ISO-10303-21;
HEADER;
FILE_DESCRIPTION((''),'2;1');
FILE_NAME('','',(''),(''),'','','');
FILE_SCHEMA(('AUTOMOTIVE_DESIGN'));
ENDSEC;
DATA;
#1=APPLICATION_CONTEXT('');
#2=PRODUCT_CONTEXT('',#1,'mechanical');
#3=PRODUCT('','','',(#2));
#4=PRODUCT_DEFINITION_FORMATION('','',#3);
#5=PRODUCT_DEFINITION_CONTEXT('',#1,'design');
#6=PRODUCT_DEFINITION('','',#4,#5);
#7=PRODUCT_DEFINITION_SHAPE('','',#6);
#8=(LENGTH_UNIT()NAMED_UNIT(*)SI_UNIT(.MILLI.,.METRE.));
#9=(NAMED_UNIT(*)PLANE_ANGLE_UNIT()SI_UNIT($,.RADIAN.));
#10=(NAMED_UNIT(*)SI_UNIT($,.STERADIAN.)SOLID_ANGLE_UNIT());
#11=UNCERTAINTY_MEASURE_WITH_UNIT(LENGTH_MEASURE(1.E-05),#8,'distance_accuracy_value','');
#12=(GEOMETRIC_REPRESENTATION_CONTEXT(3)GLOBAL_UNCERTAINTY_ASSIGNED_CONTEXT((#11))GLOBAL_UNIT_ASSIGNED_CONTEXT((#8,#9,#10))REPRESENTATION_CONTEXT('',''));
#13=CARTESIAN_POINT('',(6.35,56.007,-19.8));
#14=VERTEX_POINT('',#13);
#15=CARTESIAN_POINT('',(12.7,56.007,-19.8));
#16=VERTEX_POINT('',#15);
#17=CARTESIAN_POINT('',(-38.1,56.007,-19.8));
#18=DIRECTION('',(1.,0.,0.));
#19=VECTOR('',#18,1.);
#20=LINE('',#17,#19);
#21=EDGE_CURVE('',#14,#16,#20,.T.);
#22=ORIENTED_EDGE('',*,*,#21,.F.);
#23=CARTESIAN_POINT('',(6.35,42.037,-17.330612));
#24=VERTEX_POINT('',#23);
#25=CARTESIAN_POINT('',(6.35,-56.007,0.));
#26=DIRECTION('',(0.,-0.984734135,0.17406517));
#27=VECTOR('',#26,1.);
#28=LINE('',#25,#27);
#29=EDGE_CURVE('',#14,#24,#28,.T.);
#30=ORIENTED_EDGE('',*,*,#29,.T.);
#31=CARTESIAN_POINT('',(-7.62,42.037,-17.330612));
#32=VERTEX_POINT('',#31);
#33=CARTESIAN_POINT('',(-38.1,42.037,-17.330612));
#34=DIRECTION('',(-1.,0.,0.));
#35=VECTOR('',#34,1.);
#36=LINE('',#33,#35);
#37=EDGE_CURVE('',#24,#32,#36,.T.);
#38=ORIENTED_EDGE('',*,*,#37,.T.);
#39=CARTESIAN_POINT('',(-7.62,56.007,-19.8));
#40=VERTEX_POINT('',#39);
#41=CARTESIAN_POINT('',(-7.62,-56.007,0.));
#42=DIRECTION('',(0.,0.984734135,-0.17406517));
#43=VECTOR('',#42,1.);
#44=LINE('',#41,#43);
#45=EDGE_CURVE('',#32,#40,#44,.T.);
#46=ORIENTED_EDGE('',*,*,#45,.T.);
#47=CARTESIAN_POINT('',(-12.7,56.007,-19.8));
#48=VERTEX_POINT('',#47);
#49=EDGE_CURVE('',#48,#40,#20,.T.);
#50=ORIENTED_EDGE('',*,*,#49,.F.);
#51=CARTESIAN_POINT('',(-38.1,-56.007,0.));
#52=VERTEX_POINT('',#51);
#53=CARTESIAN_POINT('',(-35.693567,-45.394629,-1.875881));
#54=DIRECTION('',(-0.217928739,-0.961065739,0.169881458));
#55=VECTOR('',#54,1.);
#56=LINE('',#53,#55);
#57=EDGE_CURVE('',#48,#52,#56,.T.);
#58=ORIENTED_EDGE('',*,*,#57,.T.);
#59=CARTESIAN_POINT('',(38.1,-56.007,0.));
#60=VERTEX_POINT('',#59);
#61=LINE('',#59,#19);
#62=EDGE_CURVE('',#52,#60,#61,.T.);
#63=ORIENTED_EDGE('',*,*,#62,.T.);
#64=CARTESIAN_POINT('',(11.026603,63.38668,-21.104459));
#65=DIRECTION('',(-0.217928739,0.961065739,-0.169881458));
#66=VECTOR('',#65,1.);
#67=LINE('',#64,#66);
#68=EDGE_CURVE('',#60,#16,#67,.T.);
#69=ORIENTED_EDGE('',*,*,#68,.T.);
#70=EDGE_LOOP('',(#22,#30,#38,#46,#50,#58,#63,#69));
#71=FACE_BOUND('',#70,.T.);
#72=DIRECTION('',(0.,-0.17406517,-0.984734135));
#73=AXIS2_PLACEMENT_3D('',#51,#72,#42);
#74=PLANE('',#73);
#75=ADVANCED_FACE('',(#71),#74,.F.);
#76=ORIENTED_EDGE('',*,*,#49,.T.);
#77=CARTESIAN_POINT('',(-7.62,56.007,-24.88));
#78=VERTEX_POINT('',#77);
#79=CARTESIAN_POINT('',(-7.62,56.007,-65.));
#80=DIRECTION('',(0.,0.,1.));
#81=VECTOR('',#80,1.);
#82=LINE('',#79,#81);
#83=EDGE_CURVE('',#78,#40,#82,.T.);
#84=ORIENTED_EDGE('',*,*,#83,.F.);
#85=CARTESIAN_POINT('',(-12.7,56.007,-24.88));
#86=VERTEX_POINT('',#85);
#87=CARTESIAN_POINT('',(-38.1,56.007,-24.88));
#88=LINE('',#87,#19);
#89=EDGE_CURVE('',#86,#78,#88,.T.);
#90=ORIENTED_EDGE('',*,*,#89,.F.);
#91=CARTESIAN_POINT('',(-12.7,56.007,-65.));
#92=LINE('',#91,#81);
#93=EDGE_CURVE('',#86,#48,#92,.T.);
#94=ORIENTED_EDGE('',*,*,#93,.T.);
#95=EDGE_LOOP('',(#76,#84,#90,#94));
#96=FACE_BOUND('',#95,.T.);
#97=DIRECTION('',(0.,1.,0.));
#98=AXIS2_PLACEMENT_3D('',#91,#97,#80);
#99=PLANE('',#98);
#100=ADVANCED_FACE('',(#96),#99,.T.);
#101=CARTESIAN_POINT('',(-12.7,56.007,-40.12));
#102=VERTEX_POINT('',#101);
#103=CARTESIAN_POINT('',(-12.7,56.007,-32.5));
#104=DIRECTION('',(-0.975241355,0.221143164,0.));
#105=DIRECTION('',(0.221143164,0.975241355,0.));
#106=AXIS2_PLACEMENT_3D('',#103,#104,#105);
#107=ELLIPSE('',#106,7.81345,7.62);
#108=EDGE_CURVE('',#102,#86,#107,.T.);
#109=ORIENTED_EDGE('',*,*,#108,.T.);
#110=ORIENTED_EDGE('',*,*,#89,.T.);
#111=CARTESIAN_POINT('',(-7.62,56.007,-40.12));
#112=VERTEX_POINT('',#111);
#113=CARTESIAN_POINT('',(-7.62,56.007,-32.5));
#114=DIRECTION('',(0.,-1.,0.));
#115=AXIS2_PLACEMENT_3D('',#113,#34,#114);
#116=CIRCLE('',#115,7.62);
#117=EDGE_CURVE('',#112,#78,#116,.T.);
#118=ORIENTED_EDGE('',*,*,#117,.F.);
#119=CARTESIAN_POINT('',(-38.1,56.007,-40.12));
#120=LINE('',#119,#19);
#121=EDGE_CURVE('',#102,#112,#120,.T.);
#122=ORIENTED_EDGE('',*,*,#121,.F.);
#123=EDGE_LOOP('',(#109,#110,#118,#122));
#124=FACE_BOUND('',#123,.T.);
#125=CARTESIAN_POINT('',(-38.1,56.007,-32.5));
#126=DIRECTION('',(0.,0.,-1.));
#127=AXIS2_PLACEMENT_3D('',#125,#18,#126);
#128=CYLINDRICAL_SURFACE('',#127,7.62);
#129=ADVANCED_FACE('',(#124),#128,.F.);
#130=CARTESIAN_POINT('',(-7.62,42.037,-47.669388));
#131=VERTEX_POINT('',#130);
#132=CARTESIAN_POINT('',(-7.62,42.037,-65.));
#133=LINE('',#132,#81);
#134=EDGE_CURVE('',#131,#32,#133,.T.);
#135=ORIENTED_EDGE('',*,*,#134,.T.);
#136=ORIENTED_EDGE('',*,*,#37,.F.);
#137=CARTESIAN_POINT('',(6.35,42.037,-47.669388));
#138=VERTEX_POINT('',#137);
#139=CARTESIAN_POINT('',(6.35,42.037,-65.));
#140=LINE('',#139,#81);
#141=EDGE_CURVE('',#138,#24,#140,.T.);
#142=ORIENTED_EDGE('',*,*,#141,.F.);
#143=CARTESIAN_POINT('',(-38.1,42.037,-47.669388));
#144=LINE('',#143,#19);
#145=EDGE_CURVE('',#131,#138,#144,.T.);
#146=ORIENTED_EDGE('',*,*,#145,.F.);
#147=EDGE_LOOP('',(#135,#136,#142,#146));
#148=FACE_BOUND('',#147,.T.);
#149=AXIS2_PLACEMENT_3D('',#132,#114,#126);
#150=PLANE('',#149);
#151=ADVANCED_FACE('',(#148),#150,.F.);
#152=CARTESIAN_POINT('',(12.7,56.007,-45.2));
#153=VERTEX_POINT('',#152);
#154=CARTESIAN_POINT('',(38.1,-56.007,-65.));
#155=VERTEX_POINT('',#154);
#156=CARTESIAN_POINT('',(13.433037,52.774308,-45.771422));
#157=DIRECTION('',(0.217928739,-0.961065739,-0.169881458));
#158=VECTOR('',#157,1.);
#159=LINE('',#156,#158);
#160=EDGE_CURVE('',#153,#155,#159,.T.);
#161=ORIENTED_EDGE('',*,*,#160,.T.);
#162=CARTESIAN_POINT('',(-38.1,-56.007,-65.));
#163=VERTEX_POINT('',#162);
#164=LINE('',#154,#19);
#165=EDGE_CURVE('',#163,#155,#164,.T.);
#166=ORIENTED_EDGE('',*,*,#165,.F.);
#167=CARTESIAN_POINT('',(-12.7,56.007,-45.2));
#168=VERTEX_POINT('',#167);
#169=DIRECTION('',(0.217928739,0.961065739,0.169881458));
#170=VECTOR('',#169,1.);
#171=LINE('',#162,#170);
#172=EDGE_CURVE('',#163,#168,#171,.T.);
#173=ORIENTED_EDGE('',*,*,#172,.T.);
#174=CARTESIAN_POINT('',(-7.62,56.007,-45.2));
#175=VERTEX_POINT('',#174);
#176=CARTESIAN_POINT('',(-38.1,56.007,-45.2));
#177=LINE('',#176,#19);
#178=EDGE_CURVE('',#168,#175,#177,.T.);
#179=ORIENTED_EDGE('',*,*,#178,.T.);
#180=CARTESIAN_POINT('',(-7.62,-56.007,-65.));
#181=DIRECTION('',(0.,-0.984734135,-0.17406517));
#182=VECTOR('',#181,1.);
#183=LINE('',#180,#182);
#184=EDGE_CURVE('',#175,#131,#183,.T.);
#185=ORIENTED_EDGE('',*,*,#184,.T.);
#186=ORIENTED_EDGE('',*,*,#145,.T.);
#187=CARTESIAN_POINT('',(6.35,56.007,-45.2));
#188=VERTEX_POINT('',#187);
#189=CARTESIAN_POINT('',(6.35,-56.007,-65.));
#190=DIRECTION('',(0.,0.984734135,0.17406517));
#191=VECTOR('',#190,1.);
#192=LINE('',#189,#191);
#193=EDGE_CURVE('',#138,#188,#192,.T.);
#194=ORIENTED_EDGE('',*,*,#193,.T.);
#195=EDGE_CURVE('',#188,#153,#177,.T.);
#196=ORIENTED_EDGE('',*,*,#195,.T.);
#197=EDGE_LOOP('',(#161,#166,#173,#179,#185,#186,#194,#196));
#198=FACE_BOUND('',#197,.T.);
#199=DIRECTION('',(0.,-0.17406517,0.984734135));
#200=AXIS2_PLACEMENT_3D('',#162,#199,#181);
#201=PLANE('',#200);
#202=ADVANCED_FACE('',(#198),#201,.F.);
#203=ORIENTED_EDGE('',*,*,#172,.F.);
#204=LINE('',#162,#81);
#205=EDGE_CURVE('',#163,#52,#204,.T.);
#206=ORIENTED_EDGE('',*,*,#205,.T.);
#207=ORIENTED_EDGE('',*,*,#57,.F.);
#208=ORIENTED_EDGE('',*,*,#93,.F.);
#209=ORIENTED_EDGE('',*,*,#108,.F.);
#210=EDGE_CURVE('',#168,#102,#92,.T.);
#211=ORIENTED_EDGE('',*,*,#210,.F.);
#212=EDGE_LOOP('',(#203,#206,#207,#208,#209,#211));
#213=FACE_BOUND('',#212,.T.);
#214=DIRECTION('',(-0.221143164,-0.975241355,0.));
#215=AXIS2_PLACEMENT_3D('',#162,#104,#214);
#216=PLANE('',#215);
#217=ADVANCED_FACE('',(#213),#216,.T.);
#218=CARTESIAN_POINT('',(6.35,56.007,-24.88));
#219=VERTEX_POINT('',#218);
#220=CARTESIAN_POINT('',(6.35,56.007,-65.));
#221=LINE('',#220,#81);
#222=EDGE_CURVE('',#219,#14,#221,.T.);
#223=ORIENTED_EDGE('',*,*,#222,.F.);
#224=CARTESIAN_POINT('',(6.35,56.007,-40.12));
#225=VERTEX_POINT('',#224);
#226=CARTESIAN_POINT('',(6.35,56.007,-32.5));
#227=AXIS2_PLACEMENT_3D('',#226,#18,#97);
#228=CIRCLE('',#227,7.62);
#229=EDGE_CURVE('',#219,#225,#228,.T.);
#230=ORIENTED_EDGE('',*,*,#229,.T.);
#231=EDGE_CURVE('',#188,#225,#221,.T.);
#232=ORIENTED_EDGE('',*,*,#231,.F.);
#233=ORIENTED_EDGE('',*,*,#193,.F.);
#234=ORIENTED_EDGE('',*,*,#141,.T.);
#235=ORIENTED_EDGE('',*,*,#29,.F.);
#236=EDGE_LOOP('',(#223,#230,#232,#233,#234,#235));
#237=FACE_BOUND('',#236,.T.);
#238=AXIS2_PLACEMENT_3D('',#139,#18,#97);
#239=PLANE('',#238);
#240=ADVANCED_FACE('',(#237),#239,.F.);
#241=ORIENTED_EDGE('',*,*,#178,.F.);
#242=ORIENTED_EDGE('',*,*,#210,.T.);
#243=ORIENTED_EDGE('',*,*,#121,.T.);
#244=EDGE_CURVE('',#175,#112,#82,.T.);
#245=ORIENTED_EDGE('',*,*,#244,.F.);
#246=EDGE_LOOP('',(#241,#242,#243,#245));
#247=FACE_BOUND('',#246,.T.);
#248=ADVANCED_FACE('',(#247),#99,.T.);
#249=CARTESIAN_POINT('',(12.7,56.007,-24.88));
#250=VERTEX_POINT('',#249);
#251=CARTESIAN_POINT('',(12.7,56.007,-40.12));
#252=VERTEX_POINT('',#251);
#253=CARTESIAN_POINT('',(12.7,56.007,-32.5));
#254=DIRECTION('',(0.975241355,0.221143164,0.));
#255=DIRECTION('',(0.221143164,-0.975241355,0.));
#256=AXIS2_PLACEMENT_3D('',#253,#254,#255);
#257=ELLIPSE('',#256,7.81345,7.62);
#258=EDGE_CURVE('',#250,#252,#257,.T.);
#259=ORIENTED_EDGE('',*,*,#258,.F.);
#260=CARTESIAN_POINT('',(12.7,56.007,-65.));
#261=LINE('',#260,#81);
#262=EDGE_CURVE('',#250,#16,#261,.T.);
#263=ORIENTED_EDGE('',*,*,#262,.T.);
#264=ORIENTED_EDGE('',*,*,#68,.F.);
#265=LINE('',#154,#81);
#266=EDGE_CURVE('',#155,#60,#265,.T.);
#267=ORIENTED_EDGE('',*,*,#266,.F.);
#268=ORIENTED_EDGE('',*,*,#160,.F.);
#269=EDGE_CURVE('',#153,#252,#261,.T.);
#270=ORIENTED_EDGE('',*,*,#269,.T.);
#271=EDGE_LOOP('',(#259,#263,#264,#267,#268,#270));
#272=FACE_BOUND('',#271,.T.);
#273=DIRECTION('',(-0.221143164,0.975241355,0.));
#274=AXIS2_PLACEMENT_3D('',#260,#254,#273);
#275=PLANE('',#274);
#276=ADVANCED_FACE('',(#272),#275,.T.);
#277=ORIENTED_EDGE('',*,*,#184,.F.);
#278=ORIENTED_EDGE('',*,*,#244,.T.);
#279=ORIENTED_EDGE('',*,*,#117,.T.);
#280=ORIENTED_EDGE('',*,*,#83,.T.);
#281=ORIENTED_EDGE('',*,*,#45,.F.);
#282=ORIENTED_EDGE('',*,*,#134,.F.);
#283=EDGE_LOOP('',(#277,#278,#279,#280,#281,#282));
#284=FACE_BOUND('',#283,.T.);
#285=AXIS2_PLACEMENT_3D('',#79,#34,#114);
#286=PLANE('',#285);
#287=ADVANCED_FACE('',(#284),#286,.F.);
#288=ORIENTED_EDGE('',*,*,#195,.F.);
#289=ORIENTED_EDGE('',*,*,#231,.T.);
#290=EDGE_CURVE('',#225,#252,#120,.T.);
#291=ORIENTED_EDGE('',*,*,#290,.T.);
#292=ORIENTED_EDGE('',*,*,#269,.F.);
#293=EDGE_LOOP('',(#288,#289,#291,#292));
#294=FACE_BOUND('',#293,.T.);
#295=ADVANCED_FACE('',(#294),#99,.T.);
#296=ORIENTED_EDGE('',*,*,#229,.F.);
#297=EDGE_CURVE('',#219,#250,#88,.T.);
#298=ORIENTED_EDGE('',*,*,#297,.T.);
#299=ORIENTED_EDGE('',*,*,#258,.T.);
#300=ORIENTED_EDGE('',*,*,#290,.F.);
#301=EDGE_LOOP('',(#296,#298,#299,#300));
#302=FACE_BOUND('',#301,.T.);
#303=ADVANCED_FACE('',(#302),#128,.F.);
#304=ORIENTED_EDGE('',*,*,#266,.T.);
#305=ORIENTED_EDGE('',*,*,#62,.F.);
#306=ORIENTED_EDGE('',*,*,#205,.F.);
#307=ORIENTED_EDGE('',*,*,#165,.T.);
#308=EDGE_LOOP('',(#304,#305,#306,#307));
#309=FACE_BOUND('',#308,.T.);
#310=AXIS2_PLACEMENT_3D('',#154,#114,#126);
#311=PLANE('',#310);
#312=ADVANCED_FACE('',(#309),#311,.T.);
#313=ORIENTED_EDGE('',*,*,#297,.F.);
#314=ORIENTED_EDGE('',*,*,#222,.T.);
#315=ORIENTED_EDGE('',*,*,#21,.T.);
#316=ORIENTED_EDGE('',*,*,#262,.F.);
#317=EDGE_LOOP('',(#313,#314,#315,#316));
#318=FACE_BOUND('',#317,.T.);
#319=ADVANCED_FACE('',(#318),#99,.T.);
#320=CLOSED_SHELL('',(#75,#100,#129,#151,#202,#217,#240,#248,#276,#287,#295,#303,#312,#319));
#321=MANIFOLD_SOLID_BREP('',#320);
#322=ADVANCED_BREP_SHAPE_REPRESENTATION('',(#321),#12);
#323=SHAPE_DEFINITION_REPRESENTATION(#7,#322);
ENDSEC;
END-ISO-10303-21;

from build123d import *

# Parameters (mm, degrees)
BOSS_EXTRUDE1_DEPTH     = 65.000000048
CUT_EXTRUDE1_DEPTH      = 39.1
CUT_EXTRUDE1_DEPTH_BACK = 39.1
SKETCH4_W               = 13.97
SKETCH4_H               = 13.97
CUT_EXTRUDE2_DEPTH      = 1
CUT_EXTRUDE2_DEPTH_BACK = 66.000000048
CUT_EXTRUDE4_DEPTH      = 39.1
CUT_EXTRUDE4_DEPTH_BACK = 39.1


with BuildPart() as part:
    # Sketch2 → Boss-Extrude1 (new body)
    with BuildSketch(Plane.XY):
        Polygon((-38.1, -56.007), (-12.7, 56.007), (12.7, 56.007), (38.1, -56.007), align=None)
    extrude(amount=-BOSS_EXTRUDE1_DEPTH)

    # Sketch3 → Cut-Extrude1 (cut, two sides)
    with BuildSketch(Plane(origin=(0, 0, 0), x_dir=(0, 0, -1), z_dir=(1, 0, 0))) as cut_extrude1_sk:
        Polygon((0, -56.007), (19.800000024, 56.007), (0, 56.007), align=None)
        Polygon((65.000000048, -56.007), (45.200000024, 56.007), (65.000000048, 56.007), align=None)
    extrude(amount=CUT_EXTRUDE1_DEPTH, mode=Mode.SUBTRACT)
    extrude(cut_extrude1_sk.sketch, amount=-CUT_EXTRUDE1_DEPTH_BACK, mode=Mode.SUBTRACT)

    # Sketch4 → Cut-Extrude2 (cut, two sides)
    with BuildSketch(Plane.XY) as cut_extrude2_sk:
        with Locations((-0.635, 49.022)):
            Rectangle(SKETCH4_W, SKETCH4_H)
    extrude(amount=CUT_EXTRUDE2_DEPTH, mode=Mode.SUBTRACT)
    extrude(cut_extrude2_sk.sketch, amount=-CUT_EXTRUDE2_DEPTH_BACK, mode=Mode.SUBTRACT)

    # Sketch5 → Cut-Extrude4 (cut, two sides)
    with BuildSketch(Plane(origin=(0, 0, 0), x_dir=(0, 0, -1), z_dir=(1, 0, 0))) as cut_extrude4_sk:
        with BuildLine():
            Line((40.120000024, 56.007), (24.880000024, 56.007))
            ThreePointArc((24.880000024, 56.007), (32.500000024, 48.387), (40.120000024, 56.007))
        make_face()
    extrude(amount=CUT_EXTRUDE4_DEPTH, mode=Mode.SUBTRACT)
    extrude(cut_extrude4_sk.sketch, amount=-CUT_EXTRUDE4_DEPTH_BACK, mode=Mode.SUBTRACT)


solid = part.part
